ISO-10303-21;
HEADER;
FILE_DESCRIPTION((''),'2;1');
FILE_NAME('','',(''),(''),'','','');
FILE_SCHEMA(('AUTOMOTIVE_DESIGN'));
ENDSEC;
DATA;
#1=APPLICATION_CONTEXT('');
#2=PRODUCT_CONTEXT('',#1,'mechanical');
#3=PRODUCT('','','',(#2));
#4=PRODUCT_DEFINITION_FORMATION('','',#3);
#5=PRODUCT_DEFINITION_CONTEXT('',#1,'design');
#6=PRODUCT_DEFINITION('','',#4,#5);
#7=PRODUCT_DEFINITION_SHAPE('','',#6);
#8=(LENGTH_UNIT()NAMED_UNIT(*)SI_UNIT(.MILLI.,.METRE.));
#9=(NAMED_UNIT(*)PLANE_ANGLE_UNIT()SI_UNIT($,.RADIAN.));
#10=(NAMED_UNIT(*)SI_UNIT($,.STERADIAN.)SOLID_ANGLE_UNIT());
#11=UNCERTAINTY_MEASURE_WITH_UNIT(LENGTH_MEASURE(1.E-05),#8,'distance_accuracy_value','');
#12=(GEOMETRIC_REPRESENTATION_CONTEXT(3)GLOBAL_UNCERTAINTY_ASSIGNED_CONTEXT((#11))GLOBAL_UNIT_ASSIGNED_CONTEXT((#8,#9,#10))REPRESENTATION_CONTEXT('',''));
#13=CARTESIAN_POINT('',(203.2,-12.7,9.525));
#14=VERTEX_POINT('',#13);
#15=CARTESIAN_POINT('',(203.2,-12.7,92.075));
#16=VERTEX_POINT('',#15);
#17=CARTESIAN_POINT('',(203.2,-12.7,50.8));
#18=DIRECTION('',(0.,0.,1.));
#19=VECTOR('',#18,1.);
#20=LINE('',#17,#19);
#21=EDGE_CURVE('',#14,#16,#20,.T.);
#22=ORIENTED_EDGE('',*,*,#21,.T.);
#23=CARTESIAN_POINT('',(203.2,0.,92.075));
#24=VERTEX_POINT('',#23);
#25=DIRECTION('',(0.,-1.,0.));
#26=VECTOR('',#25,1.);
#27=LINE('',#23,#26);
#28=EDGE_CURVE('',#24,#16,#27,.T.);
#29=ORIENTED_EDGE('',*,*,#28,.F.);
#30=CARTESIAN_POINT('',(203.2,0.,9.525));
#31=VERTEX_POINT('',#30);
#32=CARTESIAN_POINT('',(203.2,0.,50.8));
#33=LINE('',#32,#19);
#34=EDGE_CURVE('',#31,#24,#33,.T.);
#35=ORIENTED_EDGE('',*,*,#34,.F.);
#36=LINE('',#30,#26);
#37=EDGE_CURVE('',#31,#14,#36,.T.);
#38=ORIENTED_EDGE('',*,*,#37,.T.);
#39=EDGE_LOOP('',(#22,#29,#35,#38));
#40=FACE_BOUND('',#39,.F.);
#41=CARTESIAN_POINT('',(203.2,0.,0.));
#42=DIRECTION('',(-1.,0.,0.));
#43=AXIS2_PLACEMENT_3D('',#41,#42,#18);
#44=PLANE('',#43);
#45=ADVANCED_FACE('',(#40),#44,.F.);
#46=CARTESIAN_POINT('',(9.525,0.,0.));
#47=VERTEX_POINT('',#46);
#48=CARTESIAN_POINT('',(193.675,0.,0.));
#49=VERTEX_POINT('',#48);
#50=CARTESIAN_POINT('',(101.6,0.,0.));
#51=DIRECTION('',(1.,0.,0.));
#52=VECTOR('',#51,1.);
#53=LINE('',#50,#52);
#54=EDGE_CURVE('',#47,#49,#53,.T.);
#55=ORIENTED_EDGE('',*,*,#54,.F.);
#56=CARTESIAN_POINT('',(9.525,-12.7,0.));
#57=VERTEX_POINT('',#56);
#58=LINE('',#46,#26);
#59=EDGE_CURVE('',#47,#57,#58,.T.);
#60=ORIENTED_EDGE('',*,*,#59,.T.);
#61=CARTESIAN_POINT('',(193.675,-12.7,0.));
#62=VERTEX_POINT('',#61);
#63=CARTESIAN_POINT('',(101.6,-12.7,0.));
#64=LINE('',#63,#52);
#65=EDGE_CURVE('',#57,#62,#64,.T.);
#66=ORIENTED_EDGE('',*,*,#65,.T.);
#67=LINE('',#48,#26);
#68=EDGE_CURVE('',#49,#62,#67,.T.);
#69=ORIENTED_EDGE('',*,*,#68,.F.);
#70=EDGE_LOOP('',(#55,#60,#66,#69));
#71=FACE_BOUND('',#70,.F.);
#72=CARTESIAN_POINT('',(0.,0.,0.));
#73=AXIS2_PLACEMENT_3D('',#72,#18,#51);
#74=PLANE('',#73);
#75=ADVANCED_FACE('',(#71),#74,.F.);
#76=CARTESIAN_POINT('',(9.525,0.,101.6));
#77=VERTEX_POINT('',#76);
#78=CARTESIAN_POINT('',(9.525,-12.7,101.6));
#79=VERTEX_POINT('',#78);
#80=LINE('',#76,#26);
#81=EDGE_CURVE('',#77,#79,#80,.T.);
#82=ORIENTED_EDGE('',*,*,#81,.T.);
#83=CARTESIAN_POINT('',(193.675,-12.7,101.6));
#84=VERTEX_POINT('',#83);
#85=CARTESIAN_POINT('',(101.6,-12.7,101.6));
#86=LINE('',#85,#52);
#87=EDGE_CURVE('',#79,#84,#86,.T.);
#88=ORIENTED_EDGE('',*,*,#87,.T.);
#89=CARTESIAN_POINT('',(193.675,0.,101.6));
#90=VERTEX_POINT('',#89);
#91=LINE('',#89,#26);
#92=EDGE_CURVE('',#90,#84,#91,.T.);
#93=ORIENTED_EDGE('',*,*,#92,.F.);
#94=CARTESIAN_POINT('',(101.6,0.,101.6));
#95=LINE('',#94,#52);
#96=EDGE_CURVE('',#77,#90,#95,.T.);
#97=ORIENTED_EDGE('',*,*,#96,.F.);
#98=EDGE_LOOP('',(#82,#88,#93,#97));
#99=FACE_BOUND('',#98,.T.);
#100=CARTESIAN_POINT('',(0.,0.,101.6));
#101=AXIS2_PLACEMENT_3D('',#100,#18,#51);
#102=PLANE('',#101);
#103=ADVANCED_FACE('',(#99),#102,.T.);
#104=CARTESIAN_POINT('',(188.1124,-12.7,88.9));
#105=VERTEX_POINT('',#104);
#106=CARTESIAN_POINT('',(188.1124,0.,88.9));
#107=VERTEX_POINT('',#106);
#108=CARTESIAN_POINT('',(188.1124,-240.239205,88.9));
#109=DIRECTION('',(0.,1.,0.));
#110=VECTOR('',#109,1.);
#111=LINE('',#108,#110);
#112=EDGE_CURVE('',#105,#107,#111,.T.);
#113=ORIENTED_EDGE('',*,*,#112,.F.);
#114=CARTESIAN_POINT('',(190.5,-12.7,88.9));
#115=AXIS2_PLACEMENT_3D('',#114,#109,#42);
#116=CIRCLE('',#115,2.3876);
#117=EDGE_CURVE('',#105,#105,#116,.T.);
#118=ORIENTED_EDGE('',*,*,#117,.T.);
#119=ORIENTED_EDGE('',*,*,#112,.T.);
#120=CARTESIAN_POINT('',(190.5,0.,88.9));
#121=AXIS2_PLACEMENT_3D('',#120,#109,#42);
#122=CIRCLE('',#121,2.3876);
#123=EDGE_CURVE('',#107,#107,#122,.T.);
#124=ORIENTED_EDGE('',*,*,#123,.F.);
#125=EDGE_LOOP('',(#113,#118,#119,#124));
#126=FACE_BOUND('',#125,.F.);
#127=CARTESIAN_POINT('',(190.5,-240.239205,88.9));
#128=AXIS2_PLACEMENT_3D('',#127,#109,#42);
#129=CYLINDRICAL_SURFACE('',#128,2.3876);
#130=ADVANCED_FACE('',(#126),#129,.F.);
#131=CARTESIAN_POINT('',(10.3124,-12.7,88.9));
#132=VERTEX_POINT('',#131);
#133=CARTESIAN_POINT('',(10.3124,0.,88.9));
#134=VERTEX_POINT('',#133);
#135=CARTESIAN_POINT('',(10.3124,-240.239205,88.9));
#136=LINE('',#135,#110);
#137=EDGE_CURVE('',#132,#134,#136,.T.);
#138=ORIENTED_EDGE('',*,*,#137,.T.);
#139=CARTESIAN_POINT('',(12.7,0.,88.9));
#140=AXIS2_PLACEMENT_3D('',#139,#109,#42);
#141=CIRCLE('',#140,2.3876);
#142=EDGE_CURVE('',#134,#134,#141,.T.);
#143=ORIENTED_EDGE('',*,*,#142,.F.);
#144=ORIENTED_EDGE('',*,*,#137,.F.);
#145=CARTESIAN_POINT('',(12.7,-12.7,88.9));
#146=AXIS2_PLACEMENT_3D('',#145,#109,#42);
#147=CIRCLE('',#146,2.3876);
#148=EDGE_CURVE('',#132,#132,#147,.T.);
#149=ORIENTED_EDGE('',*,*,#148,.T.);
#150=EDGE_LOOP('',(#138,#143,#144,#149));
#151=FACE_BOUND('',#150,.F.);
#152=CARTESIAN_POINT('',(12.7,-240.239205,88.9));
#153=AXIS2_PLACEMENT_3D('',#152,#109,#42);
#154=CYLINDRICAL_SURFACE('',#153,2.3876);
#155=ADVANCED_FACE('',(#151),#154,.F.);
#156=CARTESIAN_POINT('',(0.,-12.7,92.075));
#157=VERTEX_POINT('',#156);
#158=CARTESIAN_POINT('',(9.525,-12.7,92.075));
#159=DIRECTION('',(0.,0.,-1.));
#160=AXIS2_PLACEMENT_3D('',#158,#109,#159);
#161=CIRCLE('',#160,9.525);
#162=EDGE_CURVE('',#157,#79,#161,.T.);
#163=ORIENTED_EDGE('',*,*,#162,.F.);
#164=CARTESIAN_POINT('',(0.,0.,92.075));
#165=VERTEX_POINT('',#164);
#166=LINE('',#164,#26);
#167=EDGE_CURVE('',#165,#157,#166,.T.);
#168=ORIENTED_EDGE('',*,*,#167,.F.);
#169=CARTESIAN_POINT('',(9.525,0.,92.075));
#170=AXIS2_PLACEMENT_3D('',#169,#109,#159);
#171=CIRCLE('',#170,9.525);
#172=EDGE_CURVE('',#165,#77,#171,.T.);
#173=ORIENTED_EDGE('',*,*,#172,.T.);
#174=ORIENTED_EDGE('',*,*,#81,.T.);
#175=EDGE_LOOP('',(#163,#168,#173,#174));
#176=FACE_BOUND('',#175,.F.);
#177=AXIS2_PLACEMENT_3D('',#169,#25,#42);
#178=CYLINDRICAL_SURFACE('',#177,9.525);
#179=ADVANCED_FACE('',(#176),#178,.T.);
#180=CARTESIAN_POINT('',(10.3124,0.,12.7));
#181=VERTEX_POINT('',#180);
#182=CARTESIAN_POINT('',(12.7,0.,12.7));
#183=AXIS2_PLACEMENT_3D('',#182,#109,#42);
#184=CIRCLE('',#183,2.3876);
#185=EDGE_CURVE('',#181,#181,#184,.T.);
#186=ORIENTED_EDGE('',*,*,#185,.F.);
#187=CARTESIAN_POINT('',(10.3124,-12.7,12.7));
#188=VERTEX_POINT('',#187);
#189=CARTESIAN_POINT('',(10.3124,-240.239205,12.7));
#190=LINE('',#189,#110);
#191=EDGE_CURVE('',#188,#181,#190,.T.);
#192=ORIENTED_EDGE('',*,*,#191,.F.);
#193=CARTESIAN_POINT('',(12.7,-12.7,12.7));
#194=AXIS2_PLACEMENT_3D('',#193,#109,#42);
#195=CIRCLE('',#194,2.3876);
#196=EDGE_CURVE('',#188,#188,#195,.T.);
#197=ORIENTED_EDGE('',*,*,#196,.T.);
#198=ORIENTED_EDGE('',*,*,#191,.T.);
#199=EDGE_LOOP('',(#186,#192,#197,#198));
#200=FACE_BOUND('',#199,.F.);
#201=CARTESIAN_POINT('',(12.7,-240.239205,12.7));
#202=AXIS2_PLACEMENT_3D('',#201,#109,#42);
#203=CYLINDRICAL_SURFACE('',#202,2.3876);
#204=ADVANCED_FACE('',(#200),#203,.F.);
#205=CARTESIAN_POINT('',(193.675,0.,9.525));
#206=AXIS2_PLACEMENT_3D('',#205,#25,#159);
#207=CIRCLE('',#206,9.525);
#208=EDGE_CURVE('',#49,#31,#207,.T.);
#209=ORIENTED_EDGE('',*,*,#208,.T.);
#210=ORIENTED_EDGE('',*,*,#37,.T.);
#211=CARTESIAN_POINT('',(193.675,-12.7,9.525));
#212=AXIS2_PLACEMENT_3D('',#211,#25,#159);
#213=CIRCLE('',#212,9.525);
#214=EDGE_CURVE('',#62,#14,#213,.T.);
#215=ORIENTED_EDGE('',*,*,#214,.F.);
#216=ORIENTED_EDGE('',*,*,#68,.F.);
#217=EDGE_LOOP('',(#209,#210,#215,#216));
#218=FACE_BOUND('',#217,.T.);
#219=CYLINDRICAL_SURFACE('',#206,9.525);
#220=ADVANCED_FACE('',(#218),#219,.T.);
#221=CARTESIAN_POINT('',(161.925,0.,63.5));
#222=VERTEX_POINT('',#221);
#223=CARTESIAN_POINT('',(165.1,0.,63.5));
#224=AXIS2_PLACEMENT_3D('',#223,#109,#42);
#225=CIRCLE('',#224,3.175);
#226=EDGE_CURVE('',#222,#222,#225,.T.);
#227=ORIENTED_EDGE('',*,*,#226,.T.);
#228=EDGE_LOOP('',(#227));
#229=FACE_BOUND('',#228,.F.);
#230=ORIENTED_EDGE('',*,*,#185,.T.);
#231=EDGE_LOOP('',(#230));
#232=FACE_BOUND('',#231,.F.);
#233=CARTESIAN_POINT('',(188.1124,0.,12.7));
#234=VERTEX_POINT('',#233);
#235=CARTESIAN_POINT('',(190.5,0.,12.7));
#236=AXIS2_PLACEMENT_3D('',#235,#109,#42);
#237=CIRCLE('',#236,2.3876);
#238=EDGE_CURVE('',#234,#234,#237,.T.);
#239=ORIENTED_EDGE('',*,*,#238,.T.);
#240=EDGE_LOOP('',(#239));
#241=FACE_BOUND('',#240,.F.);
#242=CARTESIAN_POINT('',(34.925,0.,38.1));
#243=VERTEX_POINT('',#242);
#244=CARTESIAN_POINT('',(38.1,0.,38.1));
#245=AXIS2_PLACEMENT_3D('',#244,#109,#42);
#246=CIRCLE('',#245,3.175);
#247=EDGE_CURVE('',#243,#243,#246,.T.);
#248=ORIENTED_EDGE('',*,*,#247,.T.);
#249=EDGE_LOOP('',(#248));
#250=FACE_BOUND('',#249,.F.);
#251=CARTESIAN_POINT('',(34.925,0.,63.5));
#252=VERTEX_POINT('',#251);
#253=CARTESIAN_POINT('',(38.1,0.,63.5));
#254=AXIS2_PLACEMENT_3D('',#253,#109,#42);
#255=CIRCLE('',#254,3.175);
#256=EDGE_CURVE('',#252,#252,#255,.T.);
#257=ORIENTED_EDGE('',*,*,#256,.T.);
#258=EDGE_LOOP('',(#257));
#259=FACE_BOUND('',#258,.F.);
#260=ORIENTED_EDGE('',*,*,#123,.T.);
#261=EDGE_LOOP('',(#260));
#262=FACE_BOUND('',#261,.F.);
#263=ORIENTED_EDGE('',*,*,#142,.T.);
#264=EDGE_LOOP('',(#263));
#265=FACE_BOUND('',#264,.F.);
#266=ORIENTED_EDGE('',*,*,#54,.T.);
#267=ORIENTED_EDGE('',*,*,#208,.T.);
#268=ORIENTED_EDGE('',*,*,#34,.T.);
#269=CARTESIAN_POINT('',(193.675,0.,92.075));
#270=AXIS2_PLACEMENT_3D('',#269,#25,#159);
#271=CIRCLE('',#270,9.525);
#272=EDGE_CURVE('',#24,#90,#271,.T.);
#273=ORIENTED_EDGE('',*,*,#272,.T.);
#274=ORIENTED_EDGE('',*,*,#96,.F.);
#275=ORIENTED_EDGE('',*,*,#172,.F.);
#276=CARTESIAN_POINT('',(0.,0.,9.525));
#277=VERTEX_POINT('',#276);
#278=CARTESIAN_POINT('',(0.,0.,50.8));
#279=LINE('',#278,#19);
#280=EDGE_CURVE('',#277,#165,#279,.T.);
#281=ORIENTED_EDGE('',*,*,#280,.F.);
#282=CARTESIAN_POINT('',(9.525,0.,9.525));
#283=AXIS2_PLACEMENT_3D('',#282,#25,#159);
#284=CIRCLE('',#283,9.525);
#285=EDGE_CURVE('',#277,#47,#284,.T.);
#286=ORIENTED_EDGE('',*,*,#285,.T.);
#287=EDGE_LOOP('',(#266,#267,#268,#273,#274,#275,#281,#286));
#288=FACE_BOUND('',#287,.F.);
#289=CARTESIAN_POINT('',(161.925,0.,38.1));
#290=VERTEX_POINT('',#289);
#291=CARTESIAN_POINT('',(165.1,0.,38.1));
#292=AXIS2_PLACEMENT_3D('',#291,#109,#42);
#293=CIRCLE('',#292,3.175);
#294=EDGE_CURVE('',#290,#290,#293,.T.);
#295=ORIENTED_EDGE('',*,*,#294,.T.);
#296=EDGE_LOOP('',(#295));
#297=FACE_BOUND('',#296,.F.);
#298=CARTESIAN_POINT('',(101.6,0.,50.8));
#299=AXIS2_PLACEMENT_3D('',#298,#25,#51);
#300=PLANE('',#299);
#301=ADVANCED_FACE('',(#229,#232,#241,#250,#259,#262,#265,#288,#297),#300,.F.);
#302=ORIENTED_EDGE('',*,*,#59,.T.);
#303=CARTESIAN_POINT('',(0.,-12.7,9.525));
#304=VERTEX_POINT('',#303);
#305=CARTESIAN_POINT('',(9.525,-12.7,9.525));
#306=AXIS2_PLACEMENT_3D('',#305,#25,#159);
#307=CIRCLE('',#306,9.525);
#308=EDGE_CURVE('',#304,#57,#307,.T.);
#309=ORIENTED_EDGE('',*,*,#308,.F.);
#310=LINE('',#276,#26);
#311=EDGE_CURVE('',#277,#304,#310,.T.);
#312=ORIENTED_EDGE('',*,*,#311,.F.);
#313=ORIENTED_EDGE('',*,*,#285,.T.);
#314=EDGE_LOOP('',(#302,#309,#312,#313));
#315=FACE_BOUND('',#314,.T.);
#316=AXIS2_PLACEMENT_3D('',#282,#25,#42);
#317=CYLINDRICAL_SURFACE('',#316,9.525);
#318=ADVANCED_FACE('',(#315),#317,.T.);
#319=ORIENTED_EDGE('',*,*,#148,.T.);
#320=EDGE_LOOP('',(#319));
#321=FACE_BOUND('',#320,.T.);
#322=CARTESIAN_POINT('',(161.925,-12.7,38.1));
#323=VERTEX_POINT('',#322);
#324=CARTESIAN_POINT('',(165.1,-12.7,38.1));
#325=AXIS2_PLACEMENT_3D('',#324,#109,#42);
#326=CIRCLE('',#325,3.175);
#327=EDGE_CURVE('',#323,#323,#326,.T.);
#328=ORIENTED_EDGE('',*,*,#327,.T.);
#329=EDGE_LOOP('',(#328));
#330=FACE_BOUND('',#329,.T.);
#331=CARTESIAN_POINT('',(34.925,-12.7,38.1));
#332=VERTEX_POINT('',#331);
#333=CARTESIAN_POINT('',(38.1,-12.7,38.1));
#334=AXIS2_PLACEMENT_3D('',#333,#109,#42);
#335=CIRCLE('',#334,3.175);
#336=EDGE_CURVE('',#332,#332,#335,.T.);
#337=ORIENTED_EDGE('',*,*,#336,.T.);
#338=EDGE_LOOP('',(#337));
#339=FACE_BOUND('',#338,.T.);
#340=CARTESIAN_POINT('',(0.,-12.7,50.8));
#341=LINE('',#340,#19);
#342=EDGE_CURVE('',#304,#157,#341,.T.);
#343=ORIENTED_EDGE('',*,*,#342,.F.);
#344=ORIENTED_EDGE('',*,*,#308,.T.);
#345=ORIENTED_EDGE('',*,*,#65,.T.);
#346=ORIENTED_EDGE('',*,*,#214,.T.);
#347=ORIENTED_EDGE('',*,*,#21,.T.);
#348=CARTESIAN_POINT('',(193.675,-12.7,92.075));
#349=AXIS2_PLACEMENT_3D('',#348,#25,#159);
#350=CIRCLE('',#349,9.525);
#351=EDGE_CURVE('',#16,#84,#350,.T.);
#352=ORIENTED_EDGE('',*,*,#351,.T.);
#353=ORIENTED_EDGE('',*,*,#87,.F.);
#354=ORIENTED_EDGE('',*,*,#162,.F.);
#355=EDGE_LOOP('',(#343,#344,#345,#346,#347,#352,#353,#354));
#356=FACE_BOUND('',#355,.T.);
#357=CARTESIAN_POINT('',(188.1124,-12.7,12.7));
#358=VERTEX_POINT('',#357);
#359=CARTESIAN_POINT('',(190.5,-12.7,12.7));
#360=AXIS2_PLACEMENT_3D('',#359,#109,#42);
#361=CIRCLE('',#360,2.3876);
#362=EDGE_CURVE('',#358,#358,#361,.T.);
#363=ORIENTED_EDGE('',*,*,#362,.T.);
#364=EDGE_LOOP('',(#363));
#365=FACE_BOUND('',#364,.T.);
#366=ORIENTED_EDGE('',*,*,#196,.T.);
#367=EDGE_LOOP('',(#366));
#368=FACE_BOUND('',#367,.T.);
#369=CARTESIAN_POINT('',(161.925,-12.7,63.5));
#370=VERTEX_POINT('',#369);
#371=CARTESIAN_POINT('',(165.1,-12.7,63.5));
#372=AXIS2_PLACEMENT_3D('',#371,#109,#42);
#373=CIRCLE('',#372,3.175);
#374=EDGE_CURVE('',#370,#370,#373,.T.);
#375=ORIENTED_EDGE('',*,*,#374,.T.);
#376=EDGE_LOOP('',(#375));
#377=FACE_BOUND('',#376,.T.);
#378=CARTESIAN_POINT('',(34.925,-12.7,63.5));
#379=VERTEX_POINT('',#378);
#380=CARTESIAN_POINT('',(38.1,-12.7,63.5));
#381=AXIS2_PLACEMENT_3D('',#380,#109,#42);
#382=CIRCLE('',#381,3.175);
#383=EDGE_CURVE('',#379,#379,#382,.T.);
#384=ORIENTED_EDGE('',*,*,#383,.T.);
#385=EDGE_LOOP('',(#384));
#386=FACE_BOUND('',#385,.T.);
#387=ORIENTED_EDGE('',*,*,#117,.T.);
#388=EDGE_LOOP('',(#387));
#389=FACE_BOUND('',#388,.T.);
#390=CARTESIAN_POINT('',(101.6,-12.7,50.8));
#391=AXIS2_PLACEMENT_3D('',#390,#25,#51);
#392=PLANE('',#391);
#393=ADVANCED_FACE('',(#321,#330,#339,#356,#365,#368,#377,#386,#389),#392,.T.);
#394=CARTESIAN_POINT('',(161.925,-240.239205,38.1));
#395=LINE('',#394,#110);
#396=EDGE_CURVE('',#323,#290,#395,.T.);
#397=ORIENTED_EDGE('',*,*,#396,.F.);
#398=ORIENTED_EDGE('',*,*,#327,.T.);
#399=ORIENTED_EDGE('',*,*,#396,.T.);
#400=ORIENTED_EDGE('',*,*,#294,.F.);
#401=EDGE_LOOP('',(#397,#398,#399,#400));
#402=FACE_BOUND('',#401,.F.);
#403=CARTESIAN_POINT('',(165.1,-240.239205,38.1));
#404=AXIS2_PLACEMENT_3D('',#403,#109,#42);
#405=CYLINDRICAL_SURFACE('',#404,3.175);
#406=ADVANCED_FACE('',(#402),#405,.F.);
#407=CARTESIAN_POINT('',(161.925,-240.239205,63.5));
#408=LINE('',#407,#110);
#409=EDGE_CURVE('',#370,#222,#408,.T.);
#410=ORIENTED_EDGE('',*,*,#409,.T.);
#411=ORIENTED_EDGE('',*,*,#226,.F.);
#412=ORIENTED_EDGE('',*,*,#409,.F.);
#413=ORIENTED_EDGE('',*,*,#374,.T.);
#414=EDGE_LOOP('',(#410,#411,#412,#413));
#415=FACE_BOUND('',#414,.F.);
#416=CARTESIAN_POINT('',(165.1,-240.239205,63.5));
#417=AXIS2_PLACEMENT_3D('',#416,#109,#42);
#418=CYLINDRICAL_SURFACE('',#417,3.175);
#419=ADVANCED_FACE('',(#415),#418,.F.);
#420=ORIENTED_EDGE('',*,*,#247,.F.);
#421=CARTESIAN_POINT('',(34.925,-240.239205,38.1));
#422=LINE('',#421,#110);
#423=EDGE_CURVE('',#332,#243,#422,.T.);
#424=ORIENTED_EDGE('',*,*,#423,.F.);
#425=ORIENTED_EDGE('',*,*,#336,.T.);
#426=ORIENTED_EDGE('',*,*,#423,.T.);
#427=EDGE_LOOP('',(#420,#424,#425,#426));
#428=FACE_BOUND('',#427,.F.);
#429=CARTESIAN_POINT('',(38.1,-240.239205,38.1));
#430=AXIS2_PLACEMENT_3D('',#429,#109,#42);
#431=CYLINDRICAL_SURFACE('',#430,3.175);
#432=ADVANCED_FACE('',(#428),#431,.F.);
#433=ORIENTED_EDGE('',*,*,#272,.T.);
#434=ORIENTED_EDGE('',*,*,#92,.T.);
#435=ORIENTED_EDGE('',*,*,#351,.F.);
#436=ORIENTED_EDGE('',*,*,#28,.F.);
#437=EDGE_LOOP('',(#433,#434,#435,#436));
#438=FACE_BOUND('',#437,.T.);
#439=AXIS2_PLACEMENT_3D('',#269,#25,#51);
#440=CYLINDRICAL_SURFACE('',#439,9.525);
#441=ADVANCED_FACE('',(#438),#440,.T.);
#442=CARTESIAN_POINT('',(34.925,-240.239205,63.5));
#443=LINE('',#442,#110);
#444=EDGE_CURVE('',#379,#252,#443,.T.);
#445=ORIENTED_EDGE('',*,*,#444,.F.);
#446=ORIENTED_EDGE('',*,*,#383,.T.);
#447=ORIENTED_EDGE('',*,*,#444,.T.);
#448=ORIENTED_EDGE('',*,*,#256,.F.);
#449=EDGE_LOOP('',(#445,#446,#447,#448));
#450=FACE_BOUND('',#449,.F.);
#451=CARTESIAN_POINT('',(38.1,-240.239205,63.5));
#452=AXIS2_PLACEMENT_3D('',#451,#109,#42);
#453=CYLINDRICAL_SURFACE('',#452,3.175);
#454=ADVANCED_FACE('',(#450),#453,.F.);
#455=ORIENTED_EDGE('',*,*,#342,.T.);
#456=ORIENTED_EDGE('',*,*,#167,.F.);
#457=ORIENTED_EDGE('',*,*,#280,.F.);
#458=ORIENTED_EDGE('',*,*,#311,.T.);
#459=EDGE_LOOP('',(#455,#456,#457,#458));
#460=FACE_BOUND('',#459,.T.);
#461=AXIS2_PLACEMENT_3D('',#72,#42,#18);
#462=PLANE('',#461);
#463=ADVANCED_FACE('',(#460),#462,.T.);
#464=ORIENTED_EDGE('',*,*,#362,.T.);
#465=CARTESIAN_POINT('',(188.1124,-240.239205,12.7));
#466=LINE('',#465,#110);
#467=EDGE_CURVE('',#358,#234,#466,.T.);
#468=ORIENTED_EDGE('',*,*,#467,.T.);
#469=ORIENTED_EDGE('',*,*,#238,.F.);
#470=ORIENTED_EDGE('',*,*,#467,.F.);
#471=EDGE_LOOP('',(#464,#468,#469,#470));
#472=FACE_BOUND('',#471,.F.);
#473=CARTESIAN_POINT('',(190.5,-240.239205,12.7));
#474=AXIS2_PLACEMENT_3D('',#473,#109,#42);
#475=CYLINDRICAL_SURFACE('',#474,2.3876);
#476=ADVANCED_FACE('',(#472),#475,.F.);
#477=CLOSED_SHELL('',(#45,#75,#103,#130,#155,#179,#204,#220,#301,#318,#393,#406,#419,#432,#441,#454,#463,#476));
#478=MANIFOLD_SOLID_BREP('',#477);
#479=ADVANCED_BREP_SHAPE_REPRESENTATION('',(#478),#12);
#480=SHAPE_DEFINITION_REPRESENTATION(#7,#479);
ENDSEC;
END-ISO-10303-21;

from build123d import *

# Parameters (mm, degrees)
F0_W     = 203.2
F0_H     = 101.6
F1_DEPTH = 12.7
F2_R     = 9.525
F4_D     = 4.7752
F6_D     = 6.35


with BuildPart() as f1:
    # F0 (on Front) → F1 (new body)
    with BuildSketch(Plane.XZ):
        with Locations((101.6, 50.8)):
            Rectangle(F0_W, F0_H)
    extrude(amount=F1_DEPTH)

    # F2
    f2_edges = [f1.edges().sort_by_distance(p)[0] for p in [
        (0, -6.35, 101.6),
        (0, -6.35, 0),
        (203.2, -6.35, 0),
        (203.2, -6.35, 101.6),
    ]]
    fillet(f2_edges, radius=F2_R)

    # F4 (through all)
    with Locations(Plane.XZ.offset(12.7)):
        with Locations((12.7, 88.9), (12.7, 12.7), (190.5, 12.7), (190.5, 88.9)):
            Hole(F4_D / 2)

    # F6 (through all)
    with Locations(Plane.XZ.offset(12.7)):
        with Locations((38.1, 63.5), (38.1, 38.1), (165.1, 38.1), (165.1, 63.5)):
            Hole(F6_D / 2)


solid = f1.part
